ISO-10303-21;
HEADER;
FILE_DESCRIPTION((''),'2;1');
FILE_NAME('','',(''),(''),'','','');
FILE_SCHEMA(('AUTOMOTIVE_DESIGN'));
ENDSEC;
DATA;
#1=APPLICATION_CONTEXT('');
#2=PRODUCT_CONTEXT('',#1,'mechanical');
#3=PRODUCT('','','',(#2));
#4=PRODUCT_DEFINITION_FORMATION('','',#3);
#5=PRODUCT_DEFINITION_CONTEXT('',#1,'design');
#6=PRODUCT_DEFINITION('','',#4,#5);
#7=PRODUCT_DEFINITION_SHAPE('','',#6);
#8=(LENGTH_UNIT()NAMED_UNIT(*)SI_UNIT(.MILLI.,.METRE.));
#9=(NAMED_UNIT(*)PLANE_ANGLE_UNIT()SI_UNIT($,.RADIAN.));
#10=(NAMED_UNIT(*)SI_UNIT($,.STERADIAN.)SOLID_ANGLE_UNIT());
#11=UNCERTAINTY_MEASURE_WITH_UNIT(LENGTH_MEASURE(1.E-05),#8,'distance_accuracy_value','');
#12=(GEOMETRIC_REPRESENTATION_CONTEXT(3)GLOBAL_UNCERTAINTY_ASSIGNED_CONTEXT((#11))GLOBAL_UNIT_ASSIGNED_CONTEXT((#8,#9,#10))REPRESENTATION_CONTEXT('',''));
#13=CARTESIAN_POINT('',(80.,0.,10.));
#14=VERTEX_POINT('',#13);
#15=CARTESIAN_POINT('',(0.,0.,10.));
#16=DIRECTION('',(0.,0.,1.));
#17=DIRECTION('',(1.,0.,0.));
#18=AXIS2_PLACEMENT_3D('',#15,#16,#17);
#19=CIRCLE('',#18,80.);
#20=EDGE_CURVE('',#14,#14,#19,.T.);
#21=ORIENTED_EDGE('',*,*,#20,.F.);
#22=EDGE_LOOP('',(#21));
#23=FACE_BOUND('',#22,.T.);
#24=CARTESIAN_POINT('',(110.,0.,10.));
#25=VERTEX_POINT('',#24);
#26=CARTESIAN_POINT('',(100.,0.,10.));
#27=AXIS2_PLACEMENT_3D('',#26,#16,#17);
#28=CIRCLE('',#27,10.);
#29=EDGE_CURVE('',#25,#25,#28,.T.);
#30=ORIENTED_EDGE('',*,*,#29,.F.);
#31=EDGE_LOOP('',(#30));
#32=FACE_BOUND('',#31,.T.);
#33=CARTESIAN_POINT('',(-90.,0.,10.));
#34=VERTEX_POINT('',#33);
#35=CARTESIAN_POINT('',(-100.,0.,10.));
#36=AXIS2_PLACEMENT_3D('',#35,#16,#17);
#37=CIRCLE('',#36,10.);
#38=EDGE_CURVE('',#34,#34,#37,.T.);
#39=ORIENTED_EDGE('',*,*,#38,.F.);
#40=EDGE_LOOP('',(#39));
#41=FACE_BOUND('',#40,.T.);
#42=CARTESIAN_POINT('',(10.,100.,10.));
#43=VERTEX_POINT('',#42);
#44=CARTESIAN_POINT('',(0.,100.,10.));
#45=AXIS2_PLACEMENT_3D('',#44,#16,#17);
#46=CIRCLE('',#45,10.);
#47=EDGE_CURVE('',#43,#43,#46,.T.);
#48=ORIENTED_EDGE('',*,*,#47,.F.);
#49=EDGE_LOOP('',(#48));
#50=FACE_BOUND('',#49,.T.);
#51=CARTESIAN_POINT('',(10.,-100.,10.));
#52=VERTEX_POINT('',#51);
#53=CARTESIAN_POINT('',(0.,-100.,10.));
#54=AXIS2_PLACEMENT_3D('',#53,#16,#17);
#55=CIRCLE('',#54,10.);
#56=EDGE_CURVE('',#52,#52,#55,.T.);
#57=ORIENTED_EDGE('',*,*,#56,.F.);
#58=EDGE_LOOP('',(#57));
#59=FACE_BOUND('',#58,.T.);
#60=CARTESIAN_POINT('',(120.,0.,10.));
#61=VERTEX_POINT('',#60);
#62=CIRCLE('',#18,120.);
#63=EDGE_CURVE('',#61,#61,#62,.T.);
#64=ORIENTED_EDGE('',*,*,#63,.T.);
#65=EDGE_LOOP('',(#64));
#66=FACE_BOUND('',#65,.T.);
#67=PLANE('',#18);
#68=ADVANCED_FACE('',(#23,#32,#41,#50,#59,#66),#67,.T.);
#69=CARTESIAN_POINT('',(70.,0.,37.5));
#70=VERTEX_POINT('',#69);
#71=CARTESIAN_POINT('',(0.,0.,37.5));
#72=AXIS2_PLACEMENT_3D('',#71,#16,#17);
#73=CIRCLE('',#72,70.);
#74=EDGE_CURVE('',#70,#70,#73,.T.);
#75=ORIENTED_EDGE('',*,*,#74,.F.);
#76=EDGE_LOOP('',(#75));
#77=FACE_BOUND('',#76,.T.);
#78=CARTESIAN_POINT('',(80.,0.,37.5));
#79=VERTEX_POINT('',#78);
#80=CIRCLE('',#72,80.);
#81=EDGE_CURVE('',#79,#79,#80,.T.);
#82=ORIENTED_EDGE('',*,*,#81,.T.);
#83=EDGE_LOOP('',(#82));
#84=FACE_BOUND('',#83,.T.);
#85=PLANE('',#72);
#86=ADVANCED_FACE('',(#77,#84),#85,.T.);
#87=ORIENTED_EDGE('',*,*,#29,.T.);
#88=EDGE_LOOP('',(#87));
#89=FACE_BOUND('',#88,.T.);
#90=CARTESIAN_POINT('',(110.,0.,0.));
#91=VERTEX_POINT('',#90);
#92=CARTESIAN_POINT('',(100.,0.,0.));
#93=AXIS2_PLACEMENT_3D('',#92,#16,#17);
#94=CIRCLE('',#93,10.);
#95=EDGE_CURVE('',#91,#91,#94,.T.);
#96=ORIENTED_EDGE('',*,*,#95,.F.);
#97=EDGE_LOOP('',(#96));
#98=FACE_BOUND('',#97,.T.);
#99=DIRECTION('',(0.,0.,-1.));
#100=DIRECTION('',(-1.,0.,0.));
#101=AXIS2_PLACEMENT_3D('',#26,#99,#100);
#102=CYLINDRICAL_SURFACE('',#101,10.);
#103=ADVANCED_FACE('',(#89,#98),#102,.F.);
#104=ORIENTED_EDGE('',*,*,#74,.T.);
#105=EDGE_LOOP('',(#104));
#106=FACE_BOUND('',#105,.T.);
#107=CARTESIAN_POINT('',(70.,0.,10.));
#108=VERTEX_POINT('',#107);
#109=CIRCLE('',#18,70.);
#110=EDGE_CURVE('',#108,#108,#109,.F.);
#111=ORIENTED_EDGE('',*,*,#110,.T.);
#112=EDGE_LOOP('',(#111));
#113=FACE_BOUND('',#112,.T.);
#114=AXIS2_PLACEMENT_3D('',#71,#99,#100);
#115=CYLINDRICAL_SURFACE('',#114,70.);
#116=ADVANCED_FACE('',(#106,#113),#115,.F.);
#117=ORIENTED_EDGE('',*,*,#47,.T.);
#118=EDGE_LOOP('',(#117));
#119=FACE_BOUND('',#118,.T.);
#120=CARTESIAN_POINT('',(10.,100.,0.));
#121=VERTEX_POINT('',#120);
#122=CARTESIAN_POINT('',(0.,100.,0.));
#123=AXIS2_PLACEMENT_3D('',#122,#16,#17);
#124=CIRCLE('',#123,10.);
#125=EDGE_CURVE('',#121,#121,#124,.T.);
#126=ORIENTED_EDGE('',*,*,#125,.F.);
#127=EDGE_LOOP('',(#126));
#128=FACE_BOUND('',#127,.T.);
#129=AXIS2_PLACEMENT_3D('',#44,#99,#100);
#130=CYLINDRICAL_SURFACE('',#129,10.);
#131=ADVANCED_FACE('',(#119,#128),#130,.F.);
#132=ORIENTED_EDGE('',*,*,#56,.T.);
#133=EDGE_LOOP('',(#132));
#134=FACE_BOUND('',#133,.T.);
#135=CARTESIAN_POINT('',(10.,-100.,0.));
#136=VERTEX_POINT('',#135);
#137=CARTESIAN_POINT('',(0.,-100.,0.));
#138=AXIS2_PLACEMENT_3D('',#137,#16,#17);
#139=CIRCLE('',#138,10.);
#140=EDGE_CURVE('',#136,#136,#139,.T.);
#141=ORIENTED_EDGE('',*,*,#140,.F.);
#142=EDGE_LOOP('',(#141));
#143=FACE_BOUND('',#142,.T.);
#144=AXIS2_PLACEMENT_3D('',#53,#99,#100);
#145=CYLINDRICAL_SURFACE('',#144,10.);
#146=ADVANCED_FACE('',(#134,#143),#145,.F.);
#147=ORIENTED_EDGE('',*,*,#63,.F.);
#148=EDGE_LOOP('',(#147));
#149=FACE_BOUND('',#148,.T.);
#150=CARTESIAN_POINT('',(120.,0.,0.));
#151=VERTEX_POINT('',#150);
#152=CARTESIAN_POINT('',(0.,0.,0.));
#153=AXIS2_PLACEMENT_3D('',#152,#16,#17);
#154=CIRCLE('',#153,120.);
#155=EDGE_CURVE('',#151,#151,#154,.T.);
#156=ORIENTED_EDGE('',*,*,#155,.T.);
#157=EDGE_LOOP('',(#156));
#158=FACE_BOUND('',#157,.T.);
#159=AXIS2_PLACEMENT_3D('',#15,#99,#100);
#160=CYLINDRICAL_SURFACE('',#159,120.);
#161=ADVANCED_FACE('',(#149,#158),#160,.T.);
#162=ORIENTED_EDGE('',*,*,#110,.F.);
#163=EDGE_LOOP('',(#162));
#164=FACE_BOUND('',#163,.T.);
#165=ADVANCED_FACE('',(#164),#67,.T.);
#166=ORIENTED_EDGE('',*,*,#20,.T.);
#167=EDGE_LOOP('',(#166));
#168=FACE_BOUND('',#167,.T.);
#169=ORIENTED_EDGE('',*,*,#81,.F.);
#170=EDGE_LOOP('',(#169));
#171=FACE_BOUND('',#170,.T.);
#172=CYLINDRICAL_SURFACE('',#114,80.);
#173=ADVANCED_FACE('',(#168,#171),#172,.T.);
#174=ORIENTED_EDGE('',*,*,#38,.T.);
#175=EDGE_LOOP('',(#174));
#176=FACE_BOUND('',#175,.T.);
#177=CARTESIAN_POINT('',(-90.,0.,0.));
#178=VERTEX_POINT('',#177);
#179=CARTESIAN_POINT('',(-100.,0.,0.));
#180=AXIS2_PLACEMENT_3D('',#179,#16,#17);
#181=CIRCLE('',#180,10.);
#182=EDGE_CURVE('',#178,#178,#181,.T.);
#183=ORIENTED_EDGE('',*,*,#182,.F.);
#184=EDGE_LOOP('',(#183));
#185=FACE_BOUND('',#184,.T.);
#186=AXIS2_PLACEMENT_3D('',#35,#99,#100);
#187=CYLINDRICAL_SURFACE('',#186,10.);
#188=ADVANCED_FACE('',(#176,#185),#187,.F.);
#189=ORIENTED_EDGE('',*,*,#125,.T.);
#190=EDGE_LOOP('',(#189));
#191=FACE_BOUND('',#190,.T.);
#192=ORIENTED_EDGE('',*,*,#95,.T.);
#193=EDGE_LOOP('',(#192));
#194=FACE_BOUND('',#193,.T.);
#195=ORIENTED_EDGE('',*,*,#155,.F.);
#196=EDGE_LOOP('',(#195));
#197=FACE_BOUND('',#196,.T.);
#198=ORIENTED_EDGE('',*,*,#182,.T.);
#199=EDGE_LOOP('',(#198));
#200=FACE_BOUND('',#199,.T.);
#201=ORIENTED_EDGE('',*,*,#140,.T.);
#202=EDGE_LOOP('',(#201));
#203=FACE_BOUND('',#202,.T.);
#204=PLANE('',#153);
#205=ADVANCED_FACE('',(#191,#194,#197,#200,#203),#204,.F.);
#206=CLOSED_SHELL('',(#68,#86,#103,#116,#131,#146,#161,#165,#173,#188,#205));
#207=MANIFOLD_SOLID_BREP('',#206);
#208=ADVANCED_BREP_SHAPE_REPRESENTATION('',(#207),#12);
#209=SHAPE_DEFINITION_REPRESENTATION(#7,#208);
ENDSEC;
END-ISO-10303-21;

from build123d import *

# Parameters (mm, degrees)
SKETCH_1_R      = 120
SKETCH_1_R_2    = 10
EXTRUDE_1_DEPTH = 10
SKETCH_2_R      = 80
SKETCH_2_R_2    = 70
EXTRUDE_2_DEPTH = 27.5


with BuildPart() as part:
    # 草图1 → 拉伸1 (new body)
    with BuildSketch(Plane.XY):
        Circle(SKETCH_1_R)
        with Locations((0, 100)):
            Circle(SKETCH_1_R_2, mode=Mode.SUBTRACT)
        with Locations((-100, 0)):
            Circle(SKETCH_1_R_2, mode=Mode.SUBTRACT)
        with Locations((100, 0)):
            Circle(SKETCH_1_R_2, mode=Mode.SUBTRACT)
        with Locations((0, -100)):
            Circle(SKETCH_1_R_2, mode=Mode.SUBTRACT)
    extrude(amount=EXTRUDE_1_DEPTH)

    # 草图2 → 拉伸2 (add)
    with BuildSketch(Plane.XY.offset(10)):
        Circle(SKETCH_2_R)
        Circle(SKETCH_2_R_2, mode=Mode.SUBTRACT)
    extrude(amount=EXTRUDE_2_DEPTH)


solid = part.part
